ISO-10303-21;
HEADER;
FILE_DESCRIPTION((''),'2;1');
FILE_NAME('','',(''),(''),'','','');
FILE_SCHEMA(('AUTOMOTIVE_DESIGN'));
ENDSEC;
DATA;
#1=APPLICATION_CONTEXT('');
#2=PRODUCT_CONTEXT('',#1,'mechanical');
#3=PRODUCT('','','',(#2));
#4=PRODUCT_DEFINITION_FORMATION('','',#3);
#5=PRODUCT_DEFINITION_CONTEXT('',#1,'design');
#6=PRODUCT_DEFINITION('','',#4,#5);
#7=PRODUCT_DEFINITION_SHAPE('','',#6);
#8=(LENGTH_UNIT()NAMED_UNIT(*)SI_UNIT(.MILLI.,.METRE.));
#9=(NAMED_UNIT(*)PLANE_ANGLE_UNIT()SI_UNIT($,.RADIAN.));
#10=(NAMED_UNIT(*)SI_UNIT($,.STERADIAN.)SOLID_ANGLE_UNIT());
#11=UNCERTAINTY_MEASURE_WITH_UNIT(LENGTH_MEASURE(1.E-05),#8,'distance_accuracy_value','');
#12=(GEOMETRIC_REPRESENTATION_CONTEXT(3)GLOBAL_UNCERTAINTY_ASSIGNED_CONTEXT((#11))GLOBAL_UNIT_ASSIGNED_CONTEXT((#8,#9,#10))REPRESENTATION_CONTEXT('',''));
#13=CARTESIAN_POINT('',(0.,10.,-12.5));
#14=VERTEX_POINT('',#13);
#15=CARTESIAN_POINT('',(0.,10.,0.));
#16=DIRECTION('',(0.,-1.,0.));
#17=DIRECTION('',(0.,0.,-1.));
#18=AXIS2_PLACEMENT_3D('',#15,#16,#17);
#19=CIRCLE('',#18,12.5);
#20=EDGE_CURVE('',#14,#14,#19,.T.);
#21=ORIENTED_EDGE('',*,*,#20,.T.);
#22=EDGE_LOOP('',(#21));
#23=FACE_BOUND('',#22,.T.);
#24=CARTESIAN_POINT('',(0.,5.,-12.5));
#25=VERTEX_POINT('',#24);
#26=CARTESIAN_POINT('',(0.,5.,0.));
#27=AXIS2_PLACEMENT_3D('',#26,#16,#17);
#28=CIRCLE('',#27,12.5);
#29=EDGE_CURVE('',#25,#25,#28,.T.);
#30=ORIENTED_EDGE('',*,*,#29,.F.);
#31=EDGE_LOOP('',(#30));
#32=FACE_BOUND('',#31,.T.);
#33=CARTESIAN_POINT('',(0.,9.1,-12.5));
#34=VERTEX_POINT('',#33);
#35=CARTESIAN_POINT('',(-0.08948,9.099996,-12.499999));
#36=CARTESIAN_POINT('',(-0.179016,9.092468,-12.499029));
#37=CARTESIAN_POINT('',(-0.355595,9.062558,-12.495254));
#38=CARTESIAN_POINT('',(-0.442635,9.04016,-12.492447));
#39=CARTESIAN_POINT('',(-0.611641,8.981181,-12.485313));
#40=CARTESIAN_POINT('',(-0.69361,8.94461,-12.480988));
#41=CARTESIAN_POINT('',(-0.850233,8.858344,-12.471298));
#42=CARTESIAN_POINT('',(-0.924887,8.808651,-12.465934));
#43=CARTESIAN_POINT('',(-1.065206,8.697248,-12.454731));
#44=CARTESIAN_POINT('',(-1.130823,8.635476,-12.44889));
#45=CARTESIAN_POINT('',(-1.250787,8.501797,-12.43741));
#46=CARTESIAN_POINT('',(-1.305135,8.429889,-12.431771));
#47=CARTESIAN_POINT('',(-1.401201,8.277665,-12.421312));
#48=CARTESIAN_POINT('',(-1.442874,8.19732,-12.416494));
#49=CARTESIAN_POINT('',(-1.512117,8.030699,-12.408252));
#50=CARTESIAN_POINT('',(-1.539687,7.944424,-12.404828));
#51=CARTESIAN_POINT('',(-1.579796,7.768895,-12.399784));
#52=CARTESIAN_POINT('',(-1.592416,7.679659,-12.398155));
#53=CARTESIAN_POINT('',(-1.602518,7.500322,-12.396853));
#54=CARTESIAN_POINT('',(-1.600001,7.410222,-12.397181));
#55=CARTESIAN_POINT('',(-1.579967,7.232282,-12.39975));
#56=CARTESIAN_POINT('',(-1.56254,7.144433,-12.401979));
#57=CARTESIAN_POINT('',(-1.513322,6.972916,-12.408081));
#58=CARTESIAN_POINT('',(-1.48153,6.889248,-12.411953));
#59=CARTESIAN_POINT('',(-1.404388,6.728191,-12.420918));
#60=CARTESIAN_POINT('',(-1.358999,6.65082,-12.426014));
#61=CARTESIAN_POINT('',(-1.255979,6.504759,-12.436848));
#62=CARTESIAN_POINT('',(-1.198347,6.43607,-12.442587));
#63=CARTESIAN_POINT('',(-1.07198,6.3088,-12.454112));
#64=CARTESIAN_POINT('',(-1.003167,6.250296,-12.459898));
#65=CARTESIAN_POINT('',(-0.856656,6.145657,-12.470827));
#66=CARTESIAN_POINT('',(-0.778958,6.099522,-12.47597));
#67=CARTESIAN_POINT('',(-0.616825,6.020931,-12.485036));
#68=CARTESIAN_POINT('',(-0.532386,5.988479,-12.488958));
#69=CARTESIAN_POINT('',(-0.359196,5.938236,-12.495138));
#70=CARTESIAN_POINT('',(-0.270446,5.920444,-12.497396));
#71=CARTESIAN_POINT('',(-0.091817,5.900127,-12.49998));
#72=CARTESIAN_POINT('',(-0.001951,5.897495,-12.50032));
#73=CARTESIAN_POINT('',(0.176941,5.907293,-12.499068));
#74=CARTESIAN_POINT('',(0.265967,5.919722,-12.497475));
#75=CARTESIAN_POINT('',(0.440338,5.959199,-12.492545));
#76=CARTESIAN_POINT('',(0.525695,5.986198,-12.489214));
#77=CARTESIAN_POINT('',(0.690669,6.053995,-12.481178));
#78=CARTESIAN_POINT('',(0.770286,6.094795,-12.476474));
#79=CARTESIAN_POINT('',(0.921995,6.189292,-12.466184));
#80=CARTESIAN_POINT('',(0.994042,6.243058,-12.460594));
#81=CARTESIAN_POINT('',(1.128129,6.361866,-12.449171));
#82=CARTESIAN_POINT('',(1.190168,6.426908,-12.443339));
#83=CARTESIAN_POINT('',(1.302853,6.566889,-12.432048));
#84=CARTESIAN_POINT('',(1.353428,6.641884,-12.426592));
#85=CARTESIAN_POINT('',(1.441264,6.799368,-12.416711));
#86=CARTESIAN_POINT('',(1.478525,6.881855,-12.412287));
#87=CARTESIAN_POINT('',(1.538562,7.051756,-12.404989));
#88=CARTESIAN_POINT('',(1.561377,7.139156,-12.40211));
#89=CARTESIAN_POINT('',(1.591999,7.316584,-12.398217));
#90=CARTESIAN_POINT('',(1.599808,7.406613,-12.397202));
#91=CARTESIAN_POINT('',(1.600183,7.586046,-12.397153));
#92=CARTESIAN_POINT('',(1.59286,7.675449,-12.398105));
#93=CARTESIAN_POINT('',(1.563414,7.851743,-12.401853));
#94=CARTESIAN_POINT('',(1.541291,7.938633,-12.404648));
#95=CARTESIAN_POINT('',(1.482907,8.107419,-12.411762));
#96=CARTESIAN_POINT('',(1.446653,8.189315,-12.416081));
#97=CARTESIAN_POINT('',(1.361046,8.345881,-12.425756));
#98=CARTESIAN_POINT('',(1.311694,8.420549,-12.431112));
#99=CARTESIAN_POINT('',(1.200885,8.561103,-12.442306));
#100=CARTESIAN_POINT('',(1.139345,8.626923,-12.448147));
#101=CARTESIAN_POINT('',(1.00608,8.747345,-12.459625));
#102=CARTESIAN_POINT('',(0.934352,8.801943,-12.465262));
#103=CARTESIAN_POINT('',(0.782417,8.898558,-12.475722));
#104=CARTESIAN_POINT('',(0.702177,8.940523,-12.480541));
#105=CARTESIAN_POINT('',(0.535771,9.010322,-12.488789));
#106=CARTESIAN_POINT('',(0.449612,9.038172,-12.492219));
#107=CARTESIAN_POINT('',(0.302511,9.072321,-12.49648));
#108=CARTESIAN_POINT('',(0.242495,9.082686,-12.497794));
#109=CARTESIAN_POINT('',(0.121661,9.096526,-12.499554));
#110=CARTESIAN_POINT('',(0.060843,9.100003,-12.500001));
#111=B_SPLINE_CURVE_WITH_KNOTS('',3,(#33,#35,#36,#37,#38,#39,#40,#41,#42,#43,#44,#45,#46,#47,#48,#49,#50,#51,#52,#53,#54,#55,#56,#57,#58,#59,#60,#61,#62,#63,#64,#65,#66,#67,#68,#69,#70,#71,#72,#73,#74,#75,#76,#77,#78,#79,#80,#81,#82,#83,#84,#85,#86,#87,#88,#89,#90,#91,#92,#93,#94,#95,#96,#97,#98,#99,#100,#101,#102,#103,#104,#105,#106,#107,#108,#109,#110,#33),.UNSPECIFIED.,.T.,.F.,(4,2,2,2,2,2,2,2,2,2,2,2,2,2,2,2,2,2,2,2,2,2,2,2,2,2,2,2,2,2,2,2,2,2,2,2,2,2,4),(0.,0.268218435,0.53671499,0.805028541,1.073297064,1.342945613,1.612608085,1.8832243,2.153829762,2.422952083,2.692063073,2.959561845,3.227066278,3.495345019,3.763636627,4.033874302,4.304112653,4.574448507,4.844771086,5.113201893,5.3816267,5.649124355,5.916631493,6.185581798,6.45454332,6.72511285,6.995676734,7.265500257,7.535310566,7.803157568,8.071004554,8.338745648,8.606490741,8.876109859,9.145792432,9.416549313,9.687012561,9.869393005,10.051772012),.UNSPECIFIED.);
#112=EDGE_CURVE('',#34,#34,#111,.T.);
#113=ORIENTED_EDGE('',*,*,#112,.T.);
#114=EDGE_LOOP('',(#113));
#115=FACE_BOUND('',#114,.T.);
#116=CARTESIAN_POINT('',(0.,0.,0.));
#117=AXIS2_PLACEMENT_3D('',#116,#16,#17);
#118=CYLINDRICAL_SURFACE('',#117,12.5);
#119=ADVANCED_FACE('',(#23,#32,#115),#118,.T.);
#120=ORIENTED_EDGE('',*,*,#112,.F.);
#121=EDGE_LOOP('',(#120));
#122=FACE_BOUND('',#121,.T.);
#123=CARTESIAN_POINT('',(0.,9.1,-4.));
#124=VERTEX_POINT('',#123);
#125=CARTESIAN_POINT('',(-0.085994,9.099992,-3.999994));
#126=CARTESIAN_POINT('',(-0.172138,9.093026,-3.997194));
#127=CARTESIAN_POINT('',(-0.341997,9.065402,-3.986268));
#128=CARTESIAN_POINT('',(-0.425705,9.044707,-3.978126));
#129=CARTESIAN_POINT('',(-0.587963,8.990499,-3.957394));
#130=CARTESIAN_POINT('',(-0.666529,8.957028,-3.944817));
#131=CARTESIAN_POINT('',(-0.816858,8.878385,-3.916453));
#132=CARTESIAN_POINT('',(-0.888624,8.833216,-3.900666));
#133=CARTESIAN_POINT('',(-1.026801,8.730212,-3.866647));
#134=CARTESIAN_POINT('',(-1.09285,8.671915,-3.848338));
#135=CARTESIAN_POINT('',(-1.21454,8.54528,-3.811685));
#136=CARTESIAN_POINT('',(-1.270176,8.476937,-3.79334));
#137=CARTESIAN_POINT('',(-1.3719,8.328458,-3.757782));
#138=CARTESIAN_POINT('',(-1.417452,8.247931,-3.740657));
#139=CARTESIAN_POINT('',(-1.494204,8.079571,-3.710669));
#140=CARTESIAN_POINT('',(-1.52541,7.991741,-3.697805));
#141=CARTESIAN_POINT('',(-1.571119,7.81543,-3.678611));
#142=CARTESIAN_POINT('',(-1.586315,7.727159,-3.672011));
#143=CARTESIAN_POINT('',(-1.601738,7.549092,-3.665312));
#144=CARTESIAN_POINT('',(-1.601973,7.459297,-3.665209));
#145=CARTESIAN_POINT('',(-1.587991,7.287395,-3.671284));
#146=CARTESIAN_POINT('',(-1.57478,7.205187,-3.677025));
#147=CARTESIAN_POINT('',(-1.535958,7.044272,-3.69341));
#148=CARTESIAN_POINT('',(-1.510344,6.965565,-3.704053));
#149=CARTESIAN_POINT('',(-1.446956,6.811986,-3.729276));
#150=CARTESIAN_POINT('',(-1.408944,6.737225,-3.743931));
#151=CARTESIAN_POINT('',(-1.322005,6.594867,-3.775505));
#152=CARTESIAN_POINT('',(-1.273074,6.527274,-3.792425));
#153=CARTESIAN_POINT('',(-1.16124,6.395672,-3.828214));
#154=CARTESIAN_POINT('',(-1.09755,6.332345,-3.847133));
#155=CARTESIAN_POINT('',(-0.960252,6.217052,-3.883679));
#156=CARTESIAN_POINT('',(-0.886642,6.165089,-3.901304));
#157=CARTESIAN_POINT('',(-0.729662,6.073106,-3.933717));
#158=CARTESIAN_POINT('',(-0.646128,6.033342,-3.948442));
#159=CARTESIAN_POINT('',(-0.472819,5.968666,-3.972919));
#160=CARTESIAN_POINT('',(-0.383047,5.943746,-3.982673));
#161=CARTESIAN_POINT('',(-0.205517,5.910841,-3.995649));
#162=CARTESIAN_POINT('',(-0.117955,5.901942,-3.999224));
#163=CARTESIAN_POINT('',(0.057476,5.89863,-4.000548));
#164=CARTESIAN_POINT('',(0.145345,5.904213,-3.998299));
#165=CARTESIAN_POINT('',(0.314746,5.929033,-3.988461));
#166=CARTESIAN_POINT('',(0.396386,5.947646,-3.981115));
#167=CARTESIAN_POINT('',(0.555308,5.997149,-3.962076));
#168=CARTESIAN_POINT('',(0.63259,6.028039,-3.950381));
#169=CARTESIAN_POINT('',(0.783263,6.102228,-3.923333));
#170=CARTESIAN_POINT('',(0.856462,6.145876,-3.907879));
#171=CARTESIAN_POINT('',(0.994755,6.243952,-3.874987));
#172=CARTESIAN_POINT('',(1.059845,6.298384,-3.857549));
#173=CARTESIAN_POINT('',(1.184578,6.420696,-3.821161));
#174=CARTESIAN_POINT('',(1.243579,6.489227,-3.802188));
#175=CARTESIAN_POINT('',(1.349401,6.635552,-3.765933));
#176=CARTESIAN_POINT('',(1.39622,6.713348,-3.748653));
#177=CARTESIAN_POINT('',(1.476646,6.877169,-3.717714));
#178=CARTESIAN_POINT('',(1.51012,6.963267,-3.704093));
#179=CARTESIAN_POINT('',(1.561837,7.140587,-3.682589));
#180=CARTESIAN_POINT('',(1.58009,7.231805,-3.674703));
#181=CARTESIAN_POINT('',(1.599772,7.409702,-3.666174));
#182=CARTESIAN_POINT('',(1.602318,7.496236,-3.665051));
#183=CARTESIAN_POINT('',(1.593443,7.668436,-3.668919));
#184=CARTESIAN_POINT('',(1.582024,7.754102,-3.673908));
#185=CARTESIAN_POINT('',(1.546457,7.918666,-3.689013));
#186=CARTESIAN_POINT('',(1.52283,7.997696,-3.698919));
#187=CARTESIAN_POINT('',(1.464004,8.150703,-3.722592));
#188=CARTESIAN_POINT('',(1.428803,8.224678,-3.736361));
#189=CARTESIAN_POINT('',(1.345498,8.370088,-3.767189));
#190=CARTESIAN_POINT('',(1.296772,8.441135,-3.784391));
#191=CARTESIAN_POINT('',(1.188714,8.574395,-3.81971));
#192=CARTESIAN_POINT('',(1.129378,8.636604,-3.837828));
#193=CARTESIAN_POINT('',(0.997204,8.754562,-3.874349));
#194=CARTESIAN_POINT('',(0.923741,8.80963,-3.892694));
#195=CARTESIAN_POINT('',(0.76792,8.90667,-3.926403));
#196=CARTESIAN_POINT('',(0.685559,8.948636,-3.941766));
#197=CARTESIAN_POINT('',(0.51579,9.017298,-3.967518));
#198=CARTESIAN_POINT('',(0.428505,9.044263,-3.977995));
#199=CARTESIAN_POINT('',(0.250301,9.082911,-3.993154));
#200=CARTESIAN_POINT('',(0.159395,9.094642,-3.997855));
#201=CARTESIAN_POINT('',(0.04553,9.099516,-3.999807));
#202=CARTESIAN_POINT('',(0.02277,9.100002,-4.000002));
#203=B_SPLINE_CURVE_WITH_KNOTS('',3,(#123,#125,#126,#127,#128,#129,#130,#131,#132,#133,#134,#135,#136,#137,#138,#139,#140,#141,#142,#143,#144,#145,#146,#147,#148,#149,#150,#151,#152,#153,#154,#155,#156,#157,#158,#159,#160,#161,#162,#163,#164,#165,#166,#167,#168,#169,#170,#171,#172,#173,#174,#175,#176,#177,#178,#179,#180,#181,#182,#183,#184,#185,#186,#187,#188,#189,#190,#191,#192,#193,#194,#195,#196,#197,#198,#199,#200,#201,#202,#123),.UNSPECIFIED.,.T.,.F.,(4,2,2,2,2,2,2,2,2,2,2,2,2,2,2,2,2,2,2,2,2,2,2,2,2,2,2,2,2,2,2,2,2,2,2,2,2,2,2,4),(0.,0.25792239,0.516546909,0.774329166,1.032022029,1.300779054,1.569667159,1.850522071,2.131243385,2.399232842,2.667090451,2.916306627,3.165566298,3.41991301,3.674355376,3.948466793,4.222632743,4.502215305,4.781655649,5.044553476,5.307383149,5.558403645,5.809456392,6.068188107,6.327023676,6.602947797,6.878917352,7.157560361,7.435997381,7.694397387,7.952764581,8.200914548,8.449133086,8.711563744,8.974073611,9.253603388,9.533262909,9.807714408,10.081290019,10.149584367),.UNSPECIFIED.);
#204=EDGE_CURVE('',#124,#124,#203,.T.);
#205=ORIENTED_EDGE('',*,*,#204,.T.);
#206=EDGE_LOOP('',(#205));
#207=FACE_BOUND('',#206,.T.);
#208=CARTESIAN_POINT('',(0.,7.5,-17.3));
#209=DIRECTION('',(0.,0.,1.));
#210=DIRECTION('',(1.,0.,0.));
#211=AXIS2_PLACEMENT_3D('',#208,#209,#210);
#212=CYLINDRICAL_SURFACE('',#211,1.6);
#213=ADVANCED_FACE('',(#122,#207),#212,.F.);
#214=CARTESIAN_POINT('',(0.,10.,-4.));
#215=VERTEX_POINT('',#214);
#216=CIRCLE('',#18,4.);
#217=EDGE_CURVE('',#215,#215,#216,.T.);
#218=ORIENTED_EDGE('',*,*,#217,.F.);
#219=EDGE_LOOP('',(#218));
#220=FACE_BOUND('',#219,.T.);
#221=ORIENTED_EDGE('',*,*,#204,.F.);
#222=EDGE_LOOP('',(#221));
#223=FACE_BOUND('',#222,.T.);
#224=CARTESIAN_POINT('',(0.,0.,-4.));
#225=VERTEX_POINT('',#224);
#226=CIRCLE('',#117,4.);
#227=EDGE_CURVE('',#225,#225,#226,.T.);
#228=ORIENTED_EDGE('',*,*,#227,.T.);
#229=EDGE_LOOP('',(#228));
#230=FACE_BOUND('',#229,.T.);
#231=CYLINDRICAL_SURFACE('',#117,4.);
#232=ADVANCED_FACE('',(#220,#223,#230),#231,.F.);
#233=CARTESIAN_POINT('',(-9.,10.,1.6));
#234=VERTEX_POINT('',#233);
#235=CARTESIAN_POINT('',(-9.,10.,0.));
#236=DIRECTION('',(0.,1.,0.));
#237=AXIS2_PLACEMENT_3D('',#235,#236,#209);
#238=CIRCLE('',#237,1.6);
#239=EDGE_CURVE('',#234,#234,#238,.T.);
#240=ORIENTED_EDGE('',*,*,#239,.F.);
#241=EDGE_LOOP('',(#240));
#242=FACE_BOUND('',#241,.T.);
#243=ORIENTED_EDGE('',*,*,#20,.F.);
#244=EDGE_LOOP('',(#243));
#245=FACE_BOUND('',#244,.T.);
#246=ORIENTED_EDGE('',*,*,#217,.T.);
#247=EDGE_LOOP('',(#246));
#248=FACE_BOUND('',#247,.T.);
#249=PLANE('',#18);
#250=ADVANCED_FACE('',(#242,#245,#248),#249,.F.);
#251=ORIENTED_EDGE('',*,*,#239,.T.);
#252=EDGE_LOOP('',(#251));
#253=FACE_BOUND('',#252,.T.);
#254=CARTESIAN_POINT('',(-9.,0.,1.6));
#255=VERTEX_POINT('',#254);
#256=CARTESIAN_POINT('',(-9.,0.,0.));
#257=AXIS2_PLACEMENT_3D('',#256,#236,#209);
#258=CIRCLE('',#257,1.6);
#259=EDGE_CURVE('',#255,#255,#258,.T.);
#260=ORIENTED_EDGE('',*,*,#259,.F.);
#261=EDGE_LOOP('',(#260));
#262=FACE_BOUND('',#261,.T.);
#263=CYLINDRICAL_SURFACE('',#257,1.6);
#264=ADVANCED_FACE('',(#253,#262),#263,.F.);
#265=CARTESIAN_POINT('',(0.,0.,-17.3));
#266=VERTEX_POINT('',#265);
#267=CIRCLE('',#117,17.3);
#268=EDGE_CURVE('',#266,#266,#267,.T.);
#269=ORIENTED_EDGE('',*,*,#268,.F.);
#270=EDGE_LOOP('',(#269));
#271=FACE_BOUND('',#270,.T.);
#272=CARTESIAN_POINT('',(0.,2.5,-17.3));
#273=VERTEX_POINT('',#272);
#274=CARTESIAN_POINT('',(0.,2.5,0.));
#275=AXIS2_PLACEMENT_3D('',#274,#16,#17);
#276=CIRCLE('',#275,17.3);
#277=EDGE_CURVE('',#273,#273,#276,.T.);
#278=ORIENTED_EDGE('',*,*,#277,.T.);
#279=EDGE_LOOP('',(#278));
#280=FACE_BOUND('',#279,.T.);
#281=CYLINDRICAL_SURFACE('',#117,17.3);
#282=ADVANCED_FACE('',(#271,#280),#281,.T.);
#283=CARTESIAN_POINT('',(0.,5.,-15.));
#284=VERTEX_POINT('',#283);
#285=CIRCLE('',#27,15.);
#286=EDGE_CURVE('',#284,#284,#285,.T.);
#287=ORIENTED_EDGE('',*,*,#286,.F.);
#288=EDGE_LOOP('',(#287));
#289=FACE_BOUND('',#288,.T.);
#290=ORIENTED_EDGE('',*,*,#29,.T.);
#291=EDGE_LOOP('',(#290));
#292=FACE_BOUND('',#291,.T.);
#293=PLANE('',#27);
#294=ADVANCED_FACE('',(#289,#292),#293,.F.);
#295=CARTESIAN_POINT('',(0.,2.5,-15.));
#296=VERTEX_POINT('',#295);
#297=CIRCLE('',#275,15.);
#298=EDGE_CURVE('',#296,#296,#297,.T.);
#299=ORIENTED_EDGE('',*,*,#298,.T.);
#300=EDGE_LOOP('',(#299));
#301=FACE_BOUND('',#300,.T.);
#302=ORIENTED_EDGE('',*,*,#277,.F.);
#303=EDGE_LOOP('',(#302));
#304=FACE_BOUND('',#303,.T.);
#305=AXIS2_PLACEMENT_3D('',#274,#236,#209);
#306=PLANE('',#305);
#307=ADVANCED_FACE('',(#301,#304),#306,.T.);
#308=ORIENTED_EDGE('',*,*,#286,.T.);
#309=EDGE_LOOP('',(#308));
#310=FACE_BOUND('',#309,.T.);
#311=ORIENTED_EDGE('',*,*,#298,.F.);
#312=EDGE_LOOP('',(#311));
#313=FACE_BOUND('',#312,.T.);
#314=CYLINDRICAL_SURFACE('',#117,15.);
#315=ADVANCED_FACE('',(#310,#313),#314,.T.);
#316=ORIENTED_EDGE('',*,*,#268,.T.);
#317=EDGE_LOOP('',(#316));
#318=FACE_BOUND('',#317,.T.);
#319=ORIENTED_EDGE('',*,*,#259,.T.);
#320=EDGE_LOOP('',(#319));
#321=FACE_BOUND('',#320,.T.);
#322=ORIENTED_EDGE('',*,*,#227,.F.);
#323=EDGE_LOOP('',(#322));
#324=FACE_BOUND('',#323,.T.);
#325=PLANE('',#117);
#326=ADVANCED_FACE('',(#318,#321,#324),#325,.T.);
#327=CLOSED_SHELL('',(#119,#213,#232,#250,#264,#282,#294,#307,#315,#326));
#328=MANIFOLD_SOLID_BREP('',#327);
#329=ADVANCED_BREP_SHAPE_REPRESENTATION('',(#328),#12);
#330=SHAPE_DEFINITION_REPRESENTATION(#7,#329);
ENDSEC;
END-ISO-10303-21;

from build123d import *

# Parameters (mm, degrees)
SKETCH_1_W          = 8.5
SKETCH_1_H          = 5
SKETCH_2_R          = 1.6
CUT_EXTRUDE_1_DEPTH = 27.43066401
SKETCH_3_R          = 1.6
CUT_EXTRUDE_2_DEPTH = 27.430664048


with BuildPart() as part:
    # ｽｹｯﾁ1 → 回転2 (revolve)
    with BuildSketch(Plane.XY, mode=Mode.PRIVATE) as revolve_2_sk:
        Polygon((-4, 0), (-4, 5), (-12.5, 5), (-15, 5), (-15, 2.5), (-17.3, 2.5), (-17.3, 0), align=None)
        with Locations((-8.25, 7.5)):
            Rectangle(SKETCH_1_W, SKETCH_1_H)
    revolve(revolve_2_sk.sketch.rotate(Axis((0, 0, 0), (0, 1, 0)), 270), axis=Axis((0, 0, 0), (0, 1, 0)))

    # ｽｹｯﾁ2 → ｶｯﾄ - 押し出し1 (cut, through all)
    with BuildSketch(Plane.XY):
        with Locations(Location((0, 7.5, 0), (0, 0, 90))):
            Circle(SKETCH_2_R)
    extrude(amount=-CUT_EXTRUDE_1_DEPTH, mode=Mode.SUBTRACT)

    # ｽｹｯﾁ3 → ｶｯﾄ - 押し出し2 (cut, through all)
    with BuildSketch(Plane(origin=(0, 10, 0), x_dir=(1, 0, 0), z_dir=(0, 1, 0))):
        with Locations(Location((-9, 0, 0), (0, 0, 270))):
            Circle(SKETCH_3_R)
    extrude(amount=-CUT_EXTRUDE_2_DEPTH, mode=Mode.SUBTRACT)


solid = part.part
